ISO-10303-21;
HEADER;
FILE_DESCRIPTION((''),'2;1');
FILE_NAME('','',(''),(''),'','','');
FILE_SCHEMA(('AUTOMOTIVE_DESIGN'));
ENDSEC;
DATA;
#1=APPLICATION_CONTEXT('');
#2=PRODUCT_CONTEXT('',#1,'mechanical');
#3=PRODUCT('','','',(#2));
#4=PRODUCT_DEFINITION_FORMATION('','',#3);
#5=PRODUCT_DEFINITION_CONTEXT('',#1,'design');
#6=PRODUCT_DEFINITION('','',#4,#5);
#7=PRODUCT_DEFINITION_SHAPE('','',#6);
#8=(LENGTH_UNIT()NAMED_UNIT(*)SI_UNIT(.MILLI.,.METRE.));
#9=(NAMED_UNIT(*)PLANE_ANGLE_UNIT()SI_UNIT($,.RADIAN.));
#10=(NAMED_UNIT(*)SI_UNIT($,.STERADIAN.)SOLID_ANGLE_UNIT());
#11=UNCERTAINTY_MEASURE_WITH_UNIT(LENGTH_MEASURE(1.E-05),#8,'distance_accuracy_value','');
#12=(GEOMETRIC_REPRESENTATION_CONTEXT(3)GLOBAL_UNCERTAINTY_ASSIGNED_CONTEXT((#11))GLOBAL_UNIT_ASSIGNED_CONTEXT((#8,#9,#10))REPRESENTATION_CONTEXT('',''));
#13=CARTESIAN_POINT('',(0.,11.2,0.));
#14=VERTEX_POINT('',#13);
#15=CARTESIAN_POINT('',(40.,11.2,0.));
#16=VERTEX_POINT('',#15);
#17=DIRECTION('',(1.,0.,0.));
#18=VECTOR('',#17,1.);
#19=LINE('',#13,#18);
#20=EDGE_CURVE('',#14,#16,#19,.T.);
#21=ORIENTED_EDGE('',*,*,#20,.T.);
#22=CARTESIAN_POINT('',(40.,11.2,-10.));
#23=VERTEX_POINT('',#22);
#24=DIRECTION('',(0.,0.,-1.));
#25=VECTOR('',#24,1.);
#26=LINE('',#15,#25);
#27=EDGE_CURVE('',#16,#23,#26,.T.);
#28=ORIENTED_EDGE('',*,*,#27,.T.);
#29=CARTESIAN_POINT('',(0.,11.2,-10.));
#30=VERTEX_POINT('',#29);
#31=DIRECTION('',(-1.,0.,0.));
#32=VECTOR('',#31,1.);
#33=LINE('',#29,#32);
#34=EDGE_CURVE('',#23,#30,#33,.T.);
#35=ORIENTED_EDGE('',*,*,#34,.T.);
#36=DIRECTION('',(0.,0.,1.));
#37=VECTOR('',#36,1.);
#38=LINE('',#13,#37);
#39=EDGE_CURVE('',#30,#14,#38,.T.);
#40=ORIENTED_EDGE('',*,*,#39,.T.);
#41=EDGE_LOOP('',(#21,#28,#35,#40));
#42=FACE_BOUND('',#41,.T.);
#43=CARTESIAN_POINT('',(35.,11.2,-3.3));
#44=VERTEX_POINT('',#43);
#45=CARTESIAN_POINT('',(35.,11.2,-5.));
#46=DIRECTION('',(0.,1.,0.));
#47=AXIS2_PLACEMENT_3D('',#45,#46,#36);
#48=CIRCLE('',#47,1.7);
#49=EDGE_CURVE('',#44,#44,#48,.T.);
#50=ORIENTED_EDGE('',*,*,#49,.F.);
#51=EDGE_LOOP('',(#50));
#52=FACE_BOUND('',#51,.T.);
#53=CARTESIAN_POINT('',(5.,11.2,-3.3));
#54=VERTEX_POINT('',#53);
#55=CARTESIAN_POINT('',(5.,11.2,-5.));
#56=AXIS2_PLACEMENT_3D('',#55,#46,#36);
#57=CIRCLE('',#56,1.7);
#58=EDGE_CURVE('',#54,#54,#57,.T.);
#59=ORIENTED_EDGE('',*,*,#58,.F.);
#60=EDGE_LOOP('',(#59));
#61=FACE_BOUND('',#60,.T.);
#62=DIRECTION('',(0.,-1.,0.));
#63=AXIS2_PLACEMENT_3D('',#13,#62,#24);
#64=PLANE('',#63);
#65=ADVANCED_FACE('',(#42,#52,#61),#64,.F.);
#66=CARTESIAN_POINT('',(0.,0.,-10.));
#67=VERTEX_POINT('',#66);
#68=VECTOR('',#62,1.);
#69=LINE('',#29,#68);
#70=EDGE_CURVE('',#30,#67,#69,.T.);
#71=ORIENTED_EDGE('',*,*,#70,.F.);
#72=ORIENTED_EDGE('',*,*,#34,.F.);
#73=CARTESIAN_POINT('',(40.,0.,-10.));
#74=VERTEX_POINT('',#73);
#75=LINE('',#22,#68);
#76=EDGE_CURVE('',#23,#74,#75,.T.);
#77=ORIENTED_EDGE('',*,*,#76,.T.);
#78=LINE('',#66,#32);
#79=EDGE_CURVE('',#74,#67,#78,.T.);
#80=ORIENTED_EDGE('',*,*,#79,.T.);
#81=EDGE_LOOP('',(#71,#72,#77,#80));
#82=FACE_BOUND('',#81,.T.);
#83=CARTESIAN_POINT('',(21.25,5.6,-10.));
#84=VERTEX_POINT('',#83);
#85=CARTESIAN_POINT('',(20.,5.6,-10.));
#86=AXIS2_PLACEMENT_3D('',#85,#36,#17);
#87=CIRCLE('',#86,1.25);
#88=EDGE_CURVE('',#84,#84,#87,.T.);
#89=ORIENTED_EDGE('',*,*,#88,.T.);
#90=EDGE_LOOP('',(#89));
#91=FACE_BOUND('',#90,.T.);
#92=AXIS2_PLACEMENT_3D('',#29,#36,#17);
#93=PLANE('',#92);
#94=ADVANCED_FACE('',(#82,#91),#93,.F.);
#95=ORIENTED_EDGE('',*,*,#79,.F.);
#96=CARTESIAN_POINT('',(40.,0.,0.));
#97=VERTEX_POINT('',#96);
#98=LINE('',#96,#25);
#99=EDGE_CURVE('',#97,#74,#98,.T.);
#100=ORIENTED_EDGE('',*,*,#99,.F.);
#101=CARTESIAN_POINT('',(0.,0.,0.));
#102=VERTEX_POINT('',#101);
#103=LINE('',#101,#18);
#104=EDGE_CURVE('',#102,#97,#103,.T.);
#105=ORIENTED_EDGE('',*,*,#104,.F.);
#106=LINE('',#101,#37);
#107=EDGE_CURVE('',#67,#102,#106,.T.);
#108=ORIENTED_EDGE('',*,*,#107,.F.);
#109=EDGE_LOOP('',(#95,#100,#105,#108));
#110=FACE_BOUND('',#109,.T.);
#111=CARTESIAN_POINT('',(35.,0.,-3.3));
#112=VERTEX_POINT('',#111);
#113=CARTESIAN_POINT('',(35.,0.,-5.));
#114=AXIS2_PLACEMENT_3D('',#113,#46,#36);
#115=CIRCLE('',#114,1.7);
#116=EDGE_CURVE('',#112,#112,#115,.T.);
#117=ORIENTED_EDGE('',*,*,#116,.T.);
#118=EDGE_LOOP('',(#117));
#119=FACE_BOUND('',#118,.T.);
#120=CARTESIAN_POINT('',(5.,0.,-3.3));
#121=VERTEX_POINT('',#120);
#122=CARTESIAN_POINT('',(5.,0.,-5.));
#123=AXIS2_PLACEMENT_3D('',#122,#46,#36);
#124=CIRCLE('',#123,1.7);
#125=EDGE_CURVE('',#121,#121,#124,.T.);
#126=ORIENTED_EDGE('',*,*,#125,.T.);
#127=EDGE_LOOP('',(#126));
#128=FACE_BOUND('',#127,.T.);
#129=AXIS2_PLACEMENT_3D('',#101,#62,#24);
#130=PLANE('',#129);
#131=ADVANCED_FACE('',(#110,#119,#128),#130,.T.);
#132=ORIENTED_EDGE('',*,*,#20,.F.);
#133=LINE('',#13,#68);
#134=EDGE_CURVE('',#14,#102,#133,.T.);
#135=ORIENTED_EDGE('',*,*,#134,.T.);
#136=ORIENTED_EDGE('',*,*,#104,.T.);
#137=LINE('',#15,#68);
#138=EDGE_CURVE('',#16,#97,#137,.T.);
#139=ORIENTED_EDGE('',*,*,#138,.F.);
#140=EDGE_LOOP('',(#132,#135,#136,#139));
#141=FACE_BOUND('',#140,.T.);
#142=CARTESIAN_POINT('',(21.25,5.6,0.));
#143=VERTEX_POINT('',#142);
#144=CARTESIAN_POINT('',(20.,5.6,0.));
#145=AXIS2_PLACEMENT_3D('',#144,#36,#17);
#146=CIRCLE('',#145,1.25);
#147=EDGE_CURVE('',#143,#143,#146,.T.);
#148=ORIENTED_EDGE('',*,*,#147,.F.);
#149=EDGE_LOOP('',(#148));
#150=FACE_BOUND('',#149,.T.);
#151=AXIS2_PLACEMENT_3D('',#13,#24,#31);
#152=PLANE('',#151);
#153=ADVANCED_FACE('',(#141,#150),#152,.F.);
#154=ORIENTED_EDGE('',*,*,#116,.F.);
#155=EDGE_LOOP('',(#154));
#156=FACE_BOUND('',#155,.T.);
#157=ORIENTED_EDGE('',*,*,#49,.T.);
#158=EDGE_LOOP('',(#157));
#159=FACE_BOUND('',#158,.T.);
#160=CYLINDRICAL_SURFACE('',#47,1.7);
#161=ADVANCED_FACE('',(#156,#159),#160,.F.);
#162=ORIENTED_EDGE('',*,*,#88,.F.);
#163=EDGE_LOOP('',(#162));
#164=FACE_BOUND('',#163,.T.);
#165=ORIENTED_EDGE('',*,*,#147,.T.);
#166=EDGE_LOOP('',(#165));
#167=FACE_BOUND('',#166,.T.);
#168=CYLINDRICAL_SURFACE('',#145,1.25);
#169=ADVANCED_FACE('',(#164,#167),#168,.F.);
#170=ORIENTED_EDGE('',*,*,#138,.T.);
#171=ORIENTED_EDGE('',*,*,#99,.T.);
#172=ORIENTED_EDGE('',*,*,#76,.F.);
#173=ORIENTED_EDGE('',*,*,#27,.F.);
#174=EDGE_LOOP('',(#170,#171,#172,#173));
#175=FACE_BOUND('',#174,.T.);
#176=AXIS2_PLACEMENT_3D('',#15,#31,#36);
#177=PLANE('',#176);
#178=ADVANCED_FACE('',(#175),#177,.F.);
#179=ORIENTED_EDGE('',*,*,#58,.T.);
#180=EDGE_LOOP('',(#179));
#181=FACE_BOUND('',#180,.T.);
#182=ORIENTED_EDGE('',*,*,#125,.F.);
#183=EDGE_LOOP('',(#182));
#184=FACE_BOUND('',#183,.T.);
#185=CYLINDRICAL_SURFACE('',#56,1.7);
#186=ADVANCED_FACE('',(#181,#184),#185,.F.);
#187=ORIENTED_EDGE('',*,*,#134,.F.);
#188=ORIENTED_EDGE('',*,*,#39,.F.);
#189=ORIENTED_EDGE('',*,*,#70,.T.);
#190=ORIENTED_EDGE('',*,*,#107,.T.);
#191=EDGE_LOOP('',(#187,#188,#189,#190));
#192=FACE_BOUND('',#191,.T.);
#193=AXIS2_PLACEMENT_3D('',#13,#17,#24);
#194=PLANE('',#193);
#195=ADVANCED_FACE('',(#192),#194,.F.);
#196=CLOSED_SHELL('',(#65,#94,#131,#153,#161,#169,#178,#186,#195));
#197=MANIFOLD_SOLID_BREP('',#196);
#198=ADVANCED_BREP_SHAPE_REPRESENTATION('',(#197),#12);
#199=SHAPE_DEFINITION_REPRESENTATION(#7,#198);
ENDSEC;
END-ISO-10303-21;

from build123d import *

# Parameters (mm, degrees)
SKETCH1_W             = 40
SKETCH1_H             = 10
BOSS_EXTRUDE1_DEPTH   = 11.2
M3_CLEARANCE_HOLE1_D  = 3.4
M3X0_5_TAPPED_HOLE1_D = 2.5


with BuildPart() as part:
    # Sketch1 → Boss-Extrude1 (new body)
    with BuildSketch(Plane(origin=(0, 0, 0), x_dir=(1, 0, 0), z_dir=(0, 1, 0))):
        with Locations((20, 5)):
            Rectangle(SKETCH1_W, SKETCH1_H)
    extrude(amount=BOSS_EXTRUDE1_DEPTH)

    # M3 Clearance Hole1 (through all)
    with Locations(Plane(origin=(5, 11.2, -5), x_dir=(0, 0, 1), z_dir=(0, 1, 0))):
        with Locations((0, 0), (0, 30)):
            Hole(M3_CLEARANCE_HOLE1_D / 2)

    # M3x0.5 Tapped Hole1 (through all)
    with Locations(Plane(origin=(20, 5.6, 0), x_dir=(1, 0, 0), z_dir=(0, 0, 1))):
        with Locations((0, 0)):
            Hole(M3X0_5_TAPPED_HOLE1_D / 2)


solid = part.part
